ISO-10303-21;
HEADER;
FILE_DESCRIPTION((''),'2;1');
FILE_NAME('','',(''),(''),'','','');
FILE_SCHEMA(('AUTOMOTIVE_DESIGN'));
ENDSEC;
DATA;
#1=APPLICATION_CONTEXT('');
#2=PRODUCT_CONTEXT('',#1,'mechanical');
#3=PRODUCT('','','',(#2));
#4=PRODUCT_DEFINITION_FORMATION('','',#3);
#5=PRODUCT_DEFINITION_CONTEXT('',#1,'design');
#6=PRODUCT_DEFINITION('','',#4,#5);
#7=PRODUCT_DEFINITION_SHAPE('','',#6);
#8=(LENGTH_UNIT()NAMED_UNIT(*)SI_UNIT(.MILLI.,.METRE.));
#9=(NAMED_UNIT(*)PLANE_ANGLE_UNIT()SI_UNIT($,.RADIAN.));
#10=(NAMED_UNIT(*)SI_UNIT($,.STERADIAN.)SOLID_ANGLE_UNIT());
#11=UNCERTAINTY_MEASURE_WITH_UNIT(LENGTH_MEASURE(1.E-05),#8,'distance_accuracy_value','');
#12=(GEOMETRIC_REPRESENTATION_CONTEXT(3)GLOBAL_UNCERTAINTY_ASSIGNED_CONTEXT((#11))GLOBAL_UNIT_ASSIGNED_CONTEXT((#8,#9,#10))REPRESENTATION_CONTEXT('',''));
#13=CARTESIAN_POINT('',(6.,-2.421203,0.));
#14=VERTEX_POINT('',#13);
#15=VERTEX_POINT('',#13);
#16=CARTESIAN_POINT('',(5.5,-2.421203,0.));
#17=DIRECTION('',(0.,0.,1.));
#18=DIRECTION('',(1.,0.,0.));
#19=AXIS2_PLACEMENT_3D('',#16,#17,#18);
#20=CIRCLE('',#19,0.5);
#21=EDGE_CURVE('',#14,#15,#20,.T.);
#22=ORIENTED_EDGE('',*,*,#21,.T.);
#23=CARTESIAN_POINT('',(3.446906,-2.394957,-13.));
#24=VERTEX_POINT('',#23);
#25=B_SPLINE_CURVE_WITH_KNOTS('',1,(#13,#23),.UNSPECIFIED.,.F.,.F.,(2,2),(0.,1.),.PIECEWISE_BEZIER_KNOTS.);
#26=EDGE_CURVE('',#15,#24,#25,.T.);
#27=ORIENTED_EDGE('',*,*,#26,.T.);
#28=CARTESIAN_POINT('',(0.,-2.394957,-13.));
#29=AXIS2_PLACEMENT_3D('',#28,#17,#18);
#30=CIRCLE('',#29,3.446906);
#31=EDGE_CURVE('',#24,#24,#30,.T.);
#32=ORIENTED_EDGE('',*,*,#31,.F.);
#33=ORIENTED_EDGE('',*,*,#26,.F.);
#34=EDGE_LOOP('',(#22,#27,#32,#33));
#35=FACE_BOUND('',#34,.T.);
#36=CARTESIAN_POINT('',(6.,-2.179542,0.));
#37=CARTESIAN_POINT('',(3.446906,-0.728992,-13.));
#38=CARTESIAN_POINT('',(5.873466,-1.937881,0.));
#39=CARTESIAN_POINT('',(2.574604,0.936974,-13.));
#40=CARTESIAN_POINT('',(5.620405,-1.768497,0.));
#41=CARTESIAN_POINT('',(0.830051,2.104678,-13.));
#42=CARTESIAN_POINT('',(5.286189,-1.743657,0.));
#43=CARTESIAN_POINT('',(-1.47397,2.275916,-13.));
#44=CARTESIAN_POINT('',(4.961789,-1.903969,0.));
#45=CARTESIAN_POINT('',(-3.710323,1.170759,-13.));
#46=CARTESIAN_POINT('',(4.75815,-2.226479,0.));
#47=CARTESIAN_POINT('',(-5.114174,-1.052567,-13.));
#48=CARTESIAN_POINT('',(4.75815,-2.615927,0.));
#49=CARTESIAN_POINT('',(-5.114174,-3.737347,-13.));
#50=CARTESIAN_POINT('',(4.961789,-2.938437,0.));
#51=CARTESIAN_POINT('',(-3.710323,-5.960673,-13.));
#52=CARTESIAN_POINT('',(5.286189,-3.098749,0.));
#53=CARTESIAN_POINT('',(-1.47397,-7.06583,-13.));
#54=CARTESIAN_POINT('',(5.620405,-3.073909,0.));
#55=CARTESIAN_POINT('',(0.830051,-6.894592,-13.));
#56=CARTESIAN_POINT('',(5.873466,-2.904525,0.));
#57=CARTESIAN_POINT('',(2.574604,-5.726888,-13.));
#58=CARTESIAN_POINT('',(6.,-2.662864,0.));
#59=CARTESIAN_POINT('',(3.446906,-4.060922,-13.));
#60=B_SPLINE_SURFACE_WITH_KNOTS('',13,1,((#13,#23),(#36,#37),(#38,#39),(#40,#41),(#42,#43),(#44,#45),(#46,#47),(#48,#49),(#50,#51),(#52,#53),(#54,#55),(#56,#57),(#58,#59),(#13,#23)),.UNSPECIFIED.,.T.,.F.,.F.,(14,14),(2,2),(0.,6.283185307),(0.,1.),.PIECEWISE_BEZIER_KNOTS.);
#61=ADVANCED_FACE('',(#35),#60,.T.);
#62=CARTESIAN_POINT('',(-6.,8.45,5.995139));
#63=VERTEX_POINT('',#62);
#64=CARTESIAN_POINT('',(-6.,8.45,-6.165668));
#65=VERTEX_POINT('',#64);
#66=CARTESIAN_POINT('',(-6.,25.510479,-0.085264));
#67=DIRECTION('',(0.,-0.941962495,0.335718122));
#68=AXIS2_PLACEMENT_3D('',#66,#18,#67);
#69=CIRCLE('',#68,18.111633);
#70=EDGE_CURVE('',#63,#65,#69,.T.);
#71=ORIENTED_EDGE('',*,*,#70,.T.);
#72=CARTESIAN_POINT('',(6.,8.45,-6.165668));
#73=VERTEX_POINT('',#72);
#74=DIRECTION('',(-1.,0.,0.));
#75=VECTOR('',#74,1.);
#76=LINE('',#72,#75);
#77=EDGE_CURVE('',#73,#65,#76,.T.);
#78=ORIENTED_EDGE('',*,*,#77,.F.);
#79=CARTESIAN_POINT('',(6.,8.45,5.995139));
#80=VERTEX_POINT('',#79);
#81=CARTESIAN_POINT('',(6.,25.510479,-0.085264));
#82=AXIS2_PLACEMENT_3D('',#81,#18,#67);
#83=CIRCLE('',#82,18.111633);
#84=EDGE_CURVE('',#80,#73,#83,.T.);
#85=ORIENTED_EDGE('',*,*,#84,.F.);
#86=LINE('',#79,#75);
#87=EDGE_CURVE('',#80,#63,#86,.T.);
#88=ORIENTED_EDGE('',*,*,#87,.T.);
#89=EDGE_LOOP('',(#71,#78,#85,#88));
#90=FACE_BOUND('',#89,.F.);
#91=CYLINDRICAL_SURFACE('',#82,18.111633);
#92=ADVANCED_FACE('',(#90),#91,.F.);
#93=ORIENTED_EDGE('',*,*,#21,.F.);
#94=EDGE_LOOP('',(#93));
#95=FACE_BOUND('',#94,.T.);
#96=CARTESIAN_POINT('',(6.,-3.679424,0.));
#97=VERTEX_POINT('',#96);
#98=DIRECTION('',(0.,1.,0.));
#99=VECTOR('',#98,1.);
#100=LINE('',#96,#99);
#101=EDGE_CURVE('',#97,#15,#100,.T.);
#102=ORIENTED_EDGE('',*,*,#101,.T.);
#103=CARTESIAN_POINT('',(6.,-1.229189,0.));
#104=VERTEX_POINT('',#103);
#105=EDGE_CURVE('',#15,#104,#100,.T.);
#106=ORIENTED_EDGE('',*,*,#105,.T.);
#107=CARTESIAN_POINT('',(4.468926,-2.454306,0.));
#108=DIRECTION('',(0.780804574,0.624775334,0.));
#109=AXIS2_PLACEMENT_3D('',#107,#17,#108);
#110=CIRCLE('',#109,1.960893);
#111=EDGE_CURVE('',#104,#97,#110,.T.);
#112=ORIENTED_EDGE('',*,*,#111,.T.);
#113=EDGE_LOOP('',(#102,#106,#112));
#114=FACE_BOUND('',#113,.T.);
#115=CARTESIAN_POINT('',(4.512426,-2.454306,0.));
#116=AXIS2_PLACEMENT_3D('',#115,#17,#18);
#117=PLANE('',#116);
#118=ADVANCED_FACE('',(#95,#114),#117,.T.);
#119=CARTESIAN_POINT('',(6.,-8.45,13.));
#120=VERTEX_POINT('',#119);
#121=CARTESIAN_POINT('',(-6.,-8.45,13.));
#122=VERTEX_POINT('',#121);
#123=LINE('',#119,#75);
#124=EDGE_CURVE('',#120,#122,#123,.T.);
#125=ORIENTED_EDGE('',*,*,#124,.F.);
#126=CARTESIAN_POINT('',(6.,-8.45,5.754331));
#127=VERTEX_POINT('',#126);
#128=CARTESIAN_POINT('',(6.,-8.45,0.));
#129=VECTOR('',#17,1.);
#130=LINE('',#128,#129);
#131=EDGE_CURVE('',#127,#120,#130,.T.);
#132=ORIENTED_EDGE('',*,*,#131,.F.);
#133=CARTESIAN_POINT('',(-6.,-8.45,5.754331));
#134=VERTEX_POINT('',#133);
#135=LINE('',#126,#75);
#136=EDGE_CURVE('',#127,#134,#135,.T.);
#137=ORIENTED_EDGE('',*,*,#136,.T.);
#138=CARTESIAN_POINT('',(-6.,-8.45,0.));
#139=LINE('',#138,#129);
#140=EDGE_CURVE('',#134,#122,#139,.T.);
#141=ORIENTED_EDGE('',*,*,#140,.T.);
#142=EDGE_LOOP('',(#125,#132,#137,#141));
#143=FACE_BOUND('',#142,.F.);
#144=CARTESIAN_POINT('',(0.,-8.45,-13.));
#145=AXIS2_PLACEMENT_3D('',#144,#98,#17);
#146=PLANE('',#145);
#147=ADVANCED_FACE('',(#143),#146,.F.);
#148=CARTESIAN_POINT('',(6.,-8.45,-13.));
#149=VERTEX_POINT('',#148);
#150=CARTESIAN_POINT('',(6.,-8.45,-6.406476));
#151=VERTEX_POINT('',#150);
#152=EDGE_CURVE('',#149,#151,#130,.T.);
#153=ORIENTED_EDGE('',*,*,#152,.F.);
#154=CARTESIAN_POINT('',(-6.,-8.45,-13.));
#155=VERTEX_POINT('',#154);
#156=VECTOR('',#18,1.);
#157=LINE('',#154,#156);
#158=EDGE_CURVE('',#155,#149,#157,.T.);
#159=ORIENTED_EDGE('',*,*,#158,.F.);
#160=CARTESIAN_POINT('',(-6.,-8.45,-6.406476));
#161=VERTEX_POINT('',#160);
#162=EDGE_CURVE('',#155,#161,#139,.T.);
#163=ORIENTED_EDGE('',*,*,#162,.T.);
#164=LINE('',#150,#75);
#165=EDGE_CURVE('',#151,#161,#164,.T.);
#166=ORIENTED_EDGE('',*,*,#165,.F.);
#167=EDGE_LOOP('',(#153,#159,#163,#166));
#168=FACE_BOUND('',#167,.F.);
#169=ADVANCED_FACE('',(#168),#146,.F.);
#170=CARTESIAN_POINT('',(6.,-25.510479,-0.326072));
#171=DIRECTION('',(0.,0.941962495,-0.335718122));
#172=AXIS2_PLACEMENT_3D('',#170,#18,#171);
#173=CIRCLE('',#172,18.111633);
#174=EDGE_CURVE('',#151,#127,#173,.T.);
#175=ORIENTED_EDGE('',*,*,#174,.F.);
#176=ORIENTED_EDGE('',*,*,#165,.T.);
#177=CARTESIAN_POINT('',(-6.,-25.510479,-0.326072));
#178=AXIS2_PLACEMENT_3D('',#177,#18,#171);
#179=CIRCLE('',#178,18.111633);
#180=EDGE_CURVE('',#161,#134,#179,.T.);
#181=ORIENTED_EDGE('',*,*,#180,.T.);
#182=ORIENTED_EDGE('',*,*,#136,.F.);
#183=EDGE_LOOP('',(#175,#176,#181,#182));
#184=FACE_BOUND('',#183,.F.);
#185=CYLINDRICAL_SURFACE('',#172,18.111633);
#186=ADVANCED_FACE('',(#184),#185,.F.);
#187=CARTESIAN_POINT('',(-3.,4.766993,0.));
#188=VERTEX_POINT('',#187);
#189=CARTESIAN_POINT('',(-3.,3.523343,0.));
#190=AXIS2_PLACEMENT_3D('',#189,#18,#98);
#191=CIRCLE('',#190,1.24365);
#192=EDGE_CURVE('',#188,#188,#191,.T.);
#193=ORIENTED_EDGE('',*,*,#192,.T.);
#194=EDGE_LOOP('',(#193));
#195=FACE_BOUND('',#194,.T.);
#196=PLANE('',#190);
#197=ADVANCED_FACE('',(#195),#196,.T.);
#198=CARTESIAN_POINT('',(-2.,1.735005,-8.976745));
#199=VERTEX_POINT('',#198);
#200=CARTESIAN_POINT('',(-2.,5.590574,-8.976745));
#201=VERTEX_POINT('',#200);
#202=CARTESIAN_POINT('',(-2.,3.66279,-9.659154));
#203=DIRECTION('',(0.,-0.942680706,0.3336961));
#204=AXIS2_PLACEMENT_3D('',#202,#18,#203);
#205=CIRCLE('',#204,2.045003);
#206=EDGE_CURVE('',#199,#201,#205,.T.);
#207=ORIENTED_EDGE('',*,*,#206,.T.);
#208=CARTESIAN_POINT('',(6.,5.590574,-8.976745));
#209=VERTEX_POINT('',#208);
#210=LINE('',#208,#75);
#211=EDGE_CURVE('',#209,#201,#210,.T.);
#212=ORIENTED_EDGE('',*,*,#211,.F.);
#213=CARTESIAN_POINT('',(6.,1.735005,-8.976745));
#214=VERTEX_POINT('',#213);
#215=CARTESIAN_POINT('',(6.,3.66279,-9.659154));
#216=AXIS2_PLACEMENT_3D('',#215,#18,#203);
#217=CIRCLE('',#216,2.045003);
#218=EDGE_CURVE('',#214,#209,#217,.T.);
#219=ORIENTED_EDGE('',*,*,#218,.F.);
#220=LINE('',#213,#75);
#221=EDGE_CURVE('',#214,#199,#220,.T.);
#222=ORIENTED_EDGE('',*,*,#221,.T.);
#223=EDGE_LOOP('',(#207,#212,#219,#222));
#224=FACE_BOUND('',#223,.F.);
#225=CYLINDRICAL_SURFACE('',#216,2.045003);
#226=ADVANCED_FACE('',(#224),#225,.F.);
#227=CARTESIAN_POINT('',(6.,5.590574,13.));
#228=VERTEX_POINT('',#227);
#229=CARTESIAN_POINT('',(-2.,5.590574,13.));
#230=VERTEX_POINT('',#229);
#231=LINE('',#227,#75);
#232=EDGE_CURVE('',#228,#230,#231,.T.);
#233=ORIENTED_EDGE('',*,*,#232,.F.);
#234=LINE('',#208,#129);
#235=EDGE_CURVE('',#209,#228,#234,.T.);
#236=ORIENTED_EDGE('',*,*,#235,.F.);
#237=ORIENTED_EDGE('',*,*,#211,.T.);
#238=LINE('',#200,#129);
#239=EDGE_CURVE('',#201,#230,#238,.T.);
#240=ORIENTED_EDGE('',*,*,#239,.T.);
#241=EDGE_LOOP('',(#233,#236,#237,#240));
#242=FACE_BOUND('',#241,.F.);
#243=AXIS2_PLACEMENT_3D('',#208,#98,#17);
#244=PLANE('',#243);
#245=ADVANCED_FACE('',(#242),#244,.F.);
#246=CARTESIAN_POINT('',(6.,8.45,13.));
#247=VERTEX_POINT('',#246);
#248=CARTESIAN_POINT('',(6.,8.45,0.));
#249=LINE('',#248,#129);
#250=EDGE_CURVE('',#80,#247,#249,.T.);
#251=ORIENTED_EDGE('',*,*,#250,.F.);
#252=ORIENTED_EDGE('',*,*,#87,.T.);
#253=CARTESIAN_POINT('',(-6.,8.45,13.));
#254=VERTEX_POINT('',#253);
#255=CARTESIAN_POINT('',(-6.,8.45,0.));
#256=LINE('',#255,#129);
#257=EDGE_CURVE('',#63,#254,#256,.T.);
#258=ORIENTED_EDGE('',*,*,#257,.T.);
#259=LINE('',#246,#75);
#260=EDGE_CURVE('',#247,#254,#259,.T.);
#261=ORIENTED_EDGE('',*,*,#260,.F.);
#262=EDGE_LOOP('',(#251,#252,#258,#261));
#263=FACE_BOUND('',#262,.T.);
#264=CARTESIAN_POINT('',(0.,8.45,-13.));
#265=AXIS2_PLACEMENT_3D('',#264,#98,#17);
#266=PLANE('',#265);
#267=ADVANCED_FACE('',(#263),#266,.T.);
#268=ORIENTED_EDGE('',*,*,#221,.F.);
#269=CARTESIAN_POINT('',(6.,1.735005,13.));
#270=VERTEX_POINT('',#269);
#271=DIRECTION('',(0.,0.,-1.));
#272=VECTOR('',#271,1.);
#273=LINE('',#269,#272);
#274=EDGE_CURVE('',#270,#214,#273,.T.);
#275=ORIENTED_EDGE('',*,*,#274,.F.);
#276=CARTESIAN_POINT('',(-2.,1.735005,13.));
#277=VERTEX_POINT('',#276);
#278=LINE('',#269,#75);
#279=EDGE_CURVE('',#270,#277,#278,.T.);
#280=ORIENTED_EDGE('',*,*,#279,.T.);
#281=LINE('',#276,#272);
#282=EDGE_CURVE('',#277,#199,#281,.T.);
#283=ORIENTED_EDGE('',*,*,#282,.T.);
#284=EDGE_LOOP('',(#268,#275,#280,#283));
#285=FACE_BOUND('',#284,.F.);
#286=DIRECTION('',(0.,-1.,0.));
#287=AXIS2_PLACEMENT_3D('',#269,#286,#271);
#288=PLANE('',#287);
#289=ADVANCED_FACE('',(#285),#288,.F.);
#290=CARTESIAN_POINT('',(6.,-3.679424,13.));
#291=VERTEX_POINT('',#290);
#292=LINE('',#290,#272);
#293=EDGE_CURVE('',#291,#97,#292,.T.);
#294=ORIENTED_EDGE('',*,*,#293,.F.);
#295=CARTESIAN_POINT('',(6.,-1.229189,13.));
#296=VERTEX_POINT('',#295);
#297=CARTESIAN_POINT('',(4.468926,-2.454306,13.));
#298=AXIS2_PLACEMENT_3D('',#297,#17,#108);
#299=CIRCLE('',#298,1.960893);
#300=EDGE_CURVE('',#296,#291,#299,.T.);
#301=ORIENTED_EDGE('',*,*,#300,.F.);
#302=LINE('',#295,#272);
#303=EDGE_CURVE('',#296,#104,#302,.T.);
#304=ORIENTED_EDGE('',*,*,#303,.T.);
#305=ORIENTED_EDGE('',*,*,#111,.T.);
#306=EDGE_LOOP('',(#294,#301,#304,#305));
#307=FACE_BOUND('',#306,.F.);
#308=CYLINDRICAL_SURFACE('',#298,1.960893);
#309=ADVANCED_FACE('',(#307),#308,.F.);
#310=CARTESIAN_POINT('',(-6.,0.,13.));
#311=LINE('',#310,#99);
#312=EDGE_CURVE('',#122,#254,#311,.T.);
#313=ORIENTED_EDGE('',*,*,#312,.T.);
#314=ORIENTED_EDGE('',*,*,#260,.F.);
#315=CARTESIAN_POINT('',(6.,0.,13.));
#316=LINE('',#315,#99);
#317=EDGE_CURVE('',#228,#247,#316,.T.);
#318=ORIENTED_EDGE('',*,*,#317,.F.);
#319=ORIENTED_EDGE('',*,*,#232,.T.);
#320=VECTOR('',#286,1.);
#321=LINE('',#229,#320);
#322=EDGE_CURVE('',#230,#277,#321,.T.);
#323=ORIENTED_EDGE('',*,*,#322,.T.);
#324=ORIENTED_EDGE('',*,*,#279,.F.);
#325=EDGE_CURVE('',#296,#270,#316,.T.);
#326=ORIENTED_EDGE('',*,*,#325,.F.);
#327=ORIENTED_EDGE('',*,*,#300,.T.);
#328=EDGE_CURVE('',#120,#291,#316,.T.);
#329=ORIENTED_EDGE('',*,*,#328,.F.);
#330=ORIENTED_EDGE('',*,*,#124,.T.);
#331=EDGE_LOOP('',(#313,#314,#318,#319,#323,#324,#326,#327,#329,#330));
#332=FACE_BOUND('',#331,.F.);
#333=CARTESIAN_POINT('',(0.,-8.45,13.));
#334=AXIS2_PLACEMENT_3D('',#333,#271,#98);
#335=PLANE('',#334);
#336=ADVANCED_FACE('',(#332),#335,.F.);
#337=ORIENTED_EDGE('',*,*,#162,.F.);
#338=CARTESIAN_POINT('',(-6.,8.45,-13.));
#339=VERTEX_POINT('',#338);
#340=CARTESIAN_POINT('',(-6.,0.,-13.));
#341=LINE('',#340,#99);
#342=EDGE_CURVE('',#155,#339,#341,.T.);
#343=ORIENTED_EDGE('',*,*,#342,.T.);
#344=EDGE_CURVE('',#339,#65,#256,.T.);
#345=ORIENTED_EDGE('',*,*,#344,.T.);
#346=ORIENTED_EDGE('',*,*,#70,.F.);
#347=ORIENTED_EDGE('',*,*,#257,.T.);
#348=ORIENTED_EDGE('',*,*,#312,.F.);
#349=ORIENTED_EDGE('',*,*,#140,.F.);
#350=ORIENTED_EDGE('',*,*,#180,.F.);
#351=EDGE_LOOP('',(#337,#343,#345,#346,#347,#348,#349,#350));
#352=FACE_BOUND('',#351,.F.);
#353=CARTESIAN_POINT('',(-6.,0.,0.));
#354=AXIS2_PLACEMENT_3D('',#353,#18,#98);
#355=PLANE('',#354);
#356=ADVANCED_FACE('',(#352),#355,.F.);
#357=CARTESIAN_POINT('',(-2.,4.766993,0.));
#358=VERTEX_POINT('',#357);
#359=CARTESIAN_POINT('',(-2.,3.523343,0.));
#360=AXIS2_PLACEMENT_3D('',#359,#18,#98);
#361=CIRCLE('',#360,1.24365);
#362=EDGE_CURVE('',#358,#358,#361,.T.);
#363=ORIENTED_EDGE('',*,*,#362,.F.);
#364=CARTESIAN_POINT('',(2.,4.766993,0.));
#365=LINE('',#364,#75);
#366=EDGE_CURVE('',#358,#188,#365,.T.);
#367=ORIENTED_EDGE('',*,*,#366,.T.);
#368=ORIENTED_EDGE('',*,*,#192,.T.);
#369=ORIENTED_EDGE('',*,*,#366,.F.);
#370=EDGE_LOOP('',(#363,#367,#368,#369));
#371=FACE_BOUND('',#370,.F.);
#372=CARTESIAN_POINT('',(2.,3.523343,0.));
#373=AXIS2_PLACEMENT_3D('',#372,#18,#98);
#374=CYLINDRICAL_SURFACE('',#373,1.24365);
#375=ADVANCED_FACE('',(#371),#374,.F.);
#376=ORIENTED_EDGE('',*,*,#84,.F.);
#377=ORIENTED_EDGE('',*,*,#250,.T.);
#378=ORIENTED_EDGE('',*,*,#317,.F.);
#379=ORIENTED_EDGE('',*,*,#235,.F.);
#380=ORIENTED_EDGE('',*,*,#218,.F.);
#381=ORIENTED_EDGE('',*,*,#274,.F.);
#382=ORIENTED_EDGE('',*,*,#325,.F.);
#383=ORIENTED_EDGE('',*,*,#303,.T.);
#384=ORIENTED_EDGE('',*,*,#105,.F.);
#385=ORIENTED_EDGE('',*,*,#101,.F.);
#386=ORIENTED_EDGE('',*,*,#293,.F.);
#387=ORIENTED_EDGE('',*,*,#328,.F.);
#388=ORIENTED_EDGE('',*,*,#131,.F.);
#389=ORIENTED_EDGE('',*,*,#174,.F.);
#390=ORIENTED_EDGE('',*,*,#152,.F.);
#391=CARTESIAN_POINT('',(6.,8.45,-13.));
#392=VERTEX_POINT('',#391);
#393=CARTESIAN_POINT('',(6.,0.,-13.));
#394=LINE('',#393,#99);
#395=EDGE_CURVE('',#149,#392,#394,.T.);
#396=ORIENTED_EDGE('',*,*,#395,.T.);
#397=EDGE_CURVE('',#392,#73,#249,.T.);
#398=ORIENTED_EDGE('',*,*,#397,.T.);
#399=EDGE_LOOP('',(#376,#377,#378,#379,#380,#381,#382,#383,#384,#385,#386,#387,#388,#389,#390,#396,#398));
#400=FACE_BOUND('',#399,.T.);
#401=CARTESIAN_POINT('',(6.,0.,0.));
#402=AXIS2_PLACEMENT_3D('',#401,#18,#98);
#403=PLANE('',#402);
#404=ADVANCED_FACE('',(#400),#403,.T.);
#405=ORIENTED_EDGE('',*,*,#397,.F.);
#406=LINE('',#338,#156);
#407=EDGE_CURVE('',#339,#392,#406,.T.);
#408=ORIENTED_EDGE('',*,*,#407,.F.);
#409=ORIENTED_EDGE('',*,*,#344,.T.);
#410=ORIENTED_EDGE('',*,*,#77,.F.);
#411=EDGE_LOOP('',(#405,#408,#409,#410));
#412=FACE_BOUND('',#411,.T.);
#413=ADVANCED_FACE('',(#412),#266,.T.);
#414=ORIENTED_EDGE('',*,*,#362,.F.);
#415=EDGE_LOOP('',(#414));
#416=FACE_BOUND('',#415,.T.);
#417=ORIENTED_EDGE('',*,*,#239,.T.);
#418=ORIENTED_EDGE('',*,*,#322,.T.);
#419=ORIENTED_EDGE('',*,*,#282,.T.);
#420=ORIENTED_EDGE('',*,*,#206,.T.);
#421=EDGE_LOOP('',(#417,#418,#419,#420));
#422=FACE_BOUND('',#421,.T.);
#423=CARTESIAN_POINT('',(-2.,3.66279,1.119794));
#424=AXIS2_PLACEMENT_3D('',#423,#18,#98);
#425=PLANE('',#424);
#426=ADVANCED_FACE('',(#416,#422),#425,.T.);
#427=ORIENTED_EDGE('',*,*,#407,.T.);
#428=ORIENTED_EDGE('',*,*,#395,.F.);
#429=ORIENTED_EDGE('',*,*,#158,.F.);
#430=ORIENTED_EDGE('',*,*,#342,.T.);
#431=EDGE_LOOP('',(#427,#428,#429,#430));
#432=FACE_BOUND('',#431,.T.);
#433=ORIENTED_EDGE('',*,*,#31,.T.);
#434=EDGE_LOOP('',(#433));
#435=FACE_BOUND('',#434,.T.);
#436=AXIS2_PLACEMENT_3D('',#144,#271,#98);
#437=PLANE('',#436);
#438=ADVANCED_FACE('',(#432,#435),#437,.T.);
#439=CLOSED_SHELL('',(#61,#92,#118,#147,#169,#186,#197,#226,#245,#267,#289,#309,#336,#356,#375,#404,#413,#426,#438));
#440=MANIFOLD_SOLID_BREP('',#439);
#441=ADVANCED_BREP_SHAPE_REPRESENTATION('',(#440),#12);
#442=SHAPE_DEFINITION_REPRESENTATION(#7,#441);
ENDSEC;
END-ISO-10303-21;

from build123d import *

# Parameters (mm, degrees)
F0_W      = 16.9
F0_H      = 26
F1_DEPTH  = 6
F4_DEPTH  = 13
F5_R      = 0.5
F7_R      = 3.446906
F11_DEPTH = 12.001
F13_DEPTH = 8
F15_R     = 1.24365
F16_DEPTH = 5


with BuildPart() as f1:
    # F0 (on Right) → F1 (new body, symmetric)
    with BuildSketch(Plane.YZ):
        Rectangle(F0_W, F0_H)
    extrude(amount=F1_DEPTH, both=True)

    # F3 (on offset) → F4 (cut)
    with BuildSketch(Plane.XY.offset(13)):
        with BuildLine():
            Line((6, -3.679424), (6, -1.229189))
            ThreePointArc((6, -1.229189), (2.508033, -2.454307), (6, -3.679424))
        make_face()
    extrude(amount=-F4_DEPTH, mode=Mode.SUBTRACT)

    # F5 (on Top) → F8 section 0
    with BuildSketch(Plane.XY):
        with Locations((5.5, -2.421203)):
            Circle(F5_R)
    # F7 (on offset) → F8 section 1
    with BuildSketch(Plane.XY.offset(-13)):
        with Locations((0, -2.394957)):
            Circle(F7_R)
    loft(mode=Mode.SUBTRACT)

    # F10 (on offset) → F11 (cut, through all)
    with BuildSketch(Plane.YZ.offset(6)):
        with BuildLine():
            Line((8.45, -6.165668), (8.45, 5.995139))
            ThreePointArc((8.45, 5.995139), (7.398846, -0.085264), (8.45, -6.165668))
        make_face()
        with BuildLine():
            Line((-8.45, 5.754331), (-8.45, -6.406476))
            ThreePointArc((-8.45, -6.406476), (-7.398846, -0.326072), (-8.45, 5.754331))
        make_face()
    extrude(amount=-F11_DEPTH, mode=Mode.SUBTRACT)

    # F12 (on offset) → F13 (cut)
    with BuildSketch(Plane.YZ.offset(6)):
        with BuildLine():
            Line((1.735005, 13), (1.735005, -8.976745))
            ThreePointArc((1.735005, -8.976745), (3.66279, -11.704157), (5.590574, -8.976745))
            Line((5.590574, -8.976745), (5.590574, 13))
            Line((5.590574, 13), (1.735005, 13))
        make_face()
    extrude(amount=-F13_DEPTH, mode=Mode.SUBTRACT)

    # F15 (on offset) → F16 (cut)
    with BuildSketch(Plane.YZ.offset(2)):
        with Locations((3.523343, 0)):
            Circle(F15_R)
    extrude(amount=-F16_DEPTH, mode=Mode.SUBTRACT)


solid = f1.part
